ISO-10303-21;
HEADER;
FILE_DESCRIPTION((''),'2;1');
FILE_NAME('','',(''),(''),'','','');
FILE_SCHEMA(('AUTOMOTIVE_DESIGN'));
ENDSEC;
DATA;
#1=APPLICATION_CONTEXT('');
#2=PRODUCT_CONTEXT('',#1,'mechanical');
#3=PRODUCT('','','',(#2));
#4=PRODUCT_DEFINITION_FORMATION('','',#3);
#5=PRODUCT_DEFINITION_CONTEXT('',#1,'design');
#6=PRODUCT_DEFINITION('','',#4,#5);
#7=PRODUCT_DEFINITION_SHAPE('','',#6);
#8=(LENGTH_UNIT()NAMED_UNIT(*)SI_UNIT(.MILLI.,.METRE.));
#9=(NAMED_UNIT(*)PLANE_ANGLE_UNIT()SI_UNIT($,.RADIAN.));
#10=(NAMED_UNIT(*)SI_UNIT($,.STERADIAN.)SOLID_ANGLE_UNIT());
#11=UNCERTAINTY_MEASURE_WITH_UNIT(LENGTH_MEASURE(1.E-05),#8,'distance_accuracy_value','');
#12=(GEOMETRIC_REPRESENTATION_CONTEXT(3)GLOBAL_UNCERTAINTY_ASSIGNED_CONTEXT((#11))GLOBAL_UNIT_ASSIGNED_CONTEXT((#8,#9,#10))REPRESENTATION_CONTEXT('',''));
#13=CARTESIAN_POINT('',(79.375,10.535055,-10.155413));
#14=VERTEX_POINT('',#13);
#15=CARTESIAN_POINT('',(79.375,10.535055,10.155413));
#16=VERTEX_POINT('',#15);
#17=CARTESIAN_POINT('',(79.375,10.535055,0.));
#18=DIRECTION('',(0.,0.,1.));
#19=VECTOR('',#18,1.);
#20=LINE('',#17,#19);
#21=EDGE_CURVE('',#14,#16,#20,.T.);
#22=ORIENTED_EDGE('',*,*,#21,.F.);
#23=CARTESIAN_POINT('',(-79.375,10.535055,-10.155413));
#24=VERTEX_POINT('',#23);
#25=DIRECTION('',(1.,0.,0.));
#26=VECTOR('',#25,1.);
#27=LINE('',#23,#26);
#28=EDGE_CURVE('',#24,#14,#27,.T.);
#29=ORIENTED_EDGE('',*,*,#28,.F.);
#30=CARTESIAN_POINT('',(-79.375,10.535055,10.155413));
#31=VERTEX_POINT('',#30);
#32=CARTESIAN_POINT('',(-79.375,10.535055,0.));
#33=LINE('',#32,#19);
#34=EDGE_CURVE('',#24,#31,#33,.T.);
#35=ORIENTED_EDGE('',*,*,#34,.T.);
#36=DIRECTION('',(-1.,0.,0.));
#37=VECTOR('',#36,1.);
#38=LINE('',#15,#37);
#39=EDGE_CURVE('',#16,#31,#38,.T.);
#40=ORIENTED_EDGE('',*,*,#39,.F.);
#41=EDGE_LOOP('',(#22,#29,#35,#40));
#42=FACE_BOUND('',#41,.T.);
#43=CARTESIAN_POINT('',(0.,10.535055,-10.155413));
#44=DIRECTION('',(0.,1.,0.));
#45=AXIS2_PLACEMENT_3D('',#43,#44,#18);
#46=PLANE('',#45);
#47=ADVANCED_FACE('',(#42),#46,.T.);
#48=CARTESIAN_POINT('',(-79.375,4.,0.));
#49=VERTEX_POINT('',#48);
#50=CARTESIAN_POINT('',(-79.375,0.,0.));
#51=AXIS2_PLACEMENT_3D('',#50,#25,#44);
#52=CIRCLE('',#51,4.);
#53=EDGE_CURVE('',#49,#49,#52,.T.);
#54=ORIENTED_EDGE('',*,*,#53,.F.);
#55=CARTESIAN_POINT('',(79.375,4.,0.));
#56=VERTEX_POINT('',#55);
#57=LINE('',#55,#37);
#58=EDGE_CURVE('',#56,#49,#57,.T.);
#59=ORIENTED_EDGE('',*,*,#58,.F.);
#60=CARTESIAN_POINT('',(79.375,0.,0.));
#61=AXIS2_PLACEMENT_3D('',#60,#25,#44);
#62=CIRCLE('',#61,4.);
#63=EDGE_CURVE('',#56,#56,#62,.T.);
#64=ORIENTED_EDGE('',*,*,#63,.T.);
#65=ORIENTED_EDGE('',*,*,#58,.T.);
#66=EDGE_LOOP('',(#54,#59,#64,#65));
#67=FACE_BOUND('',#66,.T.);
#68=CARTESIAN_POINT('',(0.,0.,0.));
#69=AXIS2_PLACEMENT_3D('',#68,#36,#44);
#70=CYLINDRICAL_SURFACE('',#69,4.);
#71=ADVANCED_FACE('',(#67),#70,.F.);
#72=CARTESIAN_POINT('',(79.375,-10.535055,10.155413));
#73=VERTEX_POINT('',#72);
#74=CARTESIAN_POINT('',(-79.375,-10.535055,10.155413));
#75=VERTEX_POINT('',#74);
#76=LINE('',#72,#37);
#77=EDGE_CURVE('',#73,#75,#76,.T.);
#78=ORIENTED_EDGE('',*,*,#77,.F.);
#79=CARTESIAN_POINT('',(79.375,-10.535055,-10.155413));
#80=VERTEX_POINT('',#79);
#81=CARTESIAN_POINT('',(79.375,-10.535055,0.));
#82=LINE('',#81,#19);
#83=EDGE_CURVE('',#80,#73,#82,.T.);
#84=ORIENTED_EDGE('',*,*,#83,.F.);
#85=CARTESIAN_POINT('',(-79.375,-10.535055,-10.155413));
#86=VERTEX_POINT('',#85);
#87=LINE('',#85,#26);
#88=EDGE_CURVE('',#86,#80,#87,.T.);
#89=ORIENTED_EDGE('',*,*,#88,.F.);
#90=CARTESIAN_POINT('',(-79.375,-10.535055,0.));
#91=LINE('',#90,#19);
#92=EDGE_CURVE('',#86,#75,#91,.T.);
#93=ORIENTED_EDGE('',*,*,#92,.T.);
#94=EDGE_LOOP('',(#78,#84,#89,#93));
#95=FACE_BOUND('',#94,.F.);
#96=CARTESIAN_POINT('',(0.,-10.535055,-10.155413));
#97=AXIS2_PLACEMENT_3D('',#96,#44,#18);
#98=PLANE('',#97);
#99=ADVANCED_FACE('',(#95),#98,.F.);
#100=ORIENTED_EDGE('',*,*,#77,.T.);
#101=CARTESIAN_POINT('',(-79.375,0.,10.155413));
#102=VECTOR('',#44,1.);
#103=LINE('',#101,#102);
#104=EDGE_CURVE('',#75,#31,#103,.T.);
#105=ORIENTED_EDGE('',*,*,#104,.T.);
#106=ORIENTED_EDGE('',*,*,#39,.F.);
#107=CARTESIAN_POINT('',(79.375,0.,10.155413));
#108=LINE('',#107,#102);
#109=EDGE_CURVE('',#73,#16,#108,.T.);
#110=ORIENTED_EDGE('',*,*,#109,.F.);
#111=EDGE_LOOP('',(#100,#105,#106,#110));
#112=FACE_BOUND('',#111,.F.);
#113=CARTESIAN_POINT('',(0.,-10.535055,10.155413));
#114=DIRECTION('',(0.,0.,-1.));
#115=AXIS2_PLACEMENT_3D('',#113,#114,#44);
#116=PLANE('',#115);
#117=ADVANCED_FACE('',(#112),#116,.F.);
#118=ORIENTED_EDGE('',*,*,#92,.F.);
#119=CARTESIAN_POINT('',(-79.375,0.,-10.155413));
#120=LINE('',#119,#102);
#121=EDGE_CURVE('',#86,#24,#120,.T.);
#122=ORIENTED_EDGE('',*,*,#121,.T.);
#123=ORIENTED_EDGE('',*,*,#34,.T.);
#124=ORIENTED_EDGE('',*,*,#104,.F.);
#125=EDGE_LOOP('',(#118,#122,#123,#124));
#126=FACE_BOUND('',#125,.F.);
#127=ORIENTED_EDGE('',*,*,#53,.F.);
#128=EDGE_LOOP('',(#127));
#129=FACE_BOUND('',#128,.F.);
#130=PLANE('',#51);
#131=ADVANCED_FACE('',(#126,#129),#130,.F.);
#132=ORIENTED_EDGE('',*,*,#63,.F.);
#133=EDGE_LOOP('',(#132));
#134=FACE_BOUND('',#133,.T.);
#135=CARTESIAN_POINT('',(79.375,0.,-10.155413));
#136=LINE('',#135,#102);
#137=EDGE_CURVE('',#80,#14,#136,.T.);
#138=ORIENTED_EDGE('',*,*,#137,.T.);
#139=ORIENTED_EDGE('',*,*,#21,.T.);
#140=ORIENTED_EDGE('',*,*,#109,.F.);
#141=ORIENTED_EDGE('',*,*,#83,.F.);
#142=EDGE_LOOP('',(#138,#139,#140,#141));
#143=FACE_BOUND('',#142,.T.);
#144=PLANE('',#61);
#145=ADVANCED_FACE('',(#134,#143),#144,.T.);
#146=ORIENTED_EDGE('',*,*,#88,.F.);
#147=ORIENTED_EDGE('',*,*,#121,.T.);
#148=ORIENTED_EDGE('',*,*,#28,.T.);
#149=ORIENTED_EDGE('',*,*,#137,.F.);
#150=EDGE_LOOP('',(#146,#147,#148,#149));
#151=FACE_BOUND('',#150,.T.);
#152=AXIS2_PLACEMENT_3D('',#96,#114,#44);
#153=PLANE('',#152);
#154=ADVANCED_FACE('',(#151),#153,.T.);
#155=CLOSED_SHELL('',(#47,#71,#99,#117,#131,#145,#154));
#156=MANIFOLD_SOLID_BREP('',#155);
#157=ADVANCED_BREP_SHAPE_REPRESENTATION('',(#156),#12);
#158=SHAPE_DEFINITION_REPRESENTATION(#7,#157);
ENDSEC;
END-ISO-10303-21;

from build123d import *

# Parameters (mm, degrees)
F0_W     = 21.07011
F0_H     = 20.310826
F0_R     = 4
F1_DEPTH = 79.375


with BuildPart() as f1:
    # F0 (on Right) → F1 (new body, symmetric)
    with BuildSketch(Plane.YZ):
        Rectangle(F0_W, F0_H)
        Circle(F0_R, mode=Mode.SUBTRACT)
    extrude(amount=F1_DEPTH, both=True)


solid = f1.part
